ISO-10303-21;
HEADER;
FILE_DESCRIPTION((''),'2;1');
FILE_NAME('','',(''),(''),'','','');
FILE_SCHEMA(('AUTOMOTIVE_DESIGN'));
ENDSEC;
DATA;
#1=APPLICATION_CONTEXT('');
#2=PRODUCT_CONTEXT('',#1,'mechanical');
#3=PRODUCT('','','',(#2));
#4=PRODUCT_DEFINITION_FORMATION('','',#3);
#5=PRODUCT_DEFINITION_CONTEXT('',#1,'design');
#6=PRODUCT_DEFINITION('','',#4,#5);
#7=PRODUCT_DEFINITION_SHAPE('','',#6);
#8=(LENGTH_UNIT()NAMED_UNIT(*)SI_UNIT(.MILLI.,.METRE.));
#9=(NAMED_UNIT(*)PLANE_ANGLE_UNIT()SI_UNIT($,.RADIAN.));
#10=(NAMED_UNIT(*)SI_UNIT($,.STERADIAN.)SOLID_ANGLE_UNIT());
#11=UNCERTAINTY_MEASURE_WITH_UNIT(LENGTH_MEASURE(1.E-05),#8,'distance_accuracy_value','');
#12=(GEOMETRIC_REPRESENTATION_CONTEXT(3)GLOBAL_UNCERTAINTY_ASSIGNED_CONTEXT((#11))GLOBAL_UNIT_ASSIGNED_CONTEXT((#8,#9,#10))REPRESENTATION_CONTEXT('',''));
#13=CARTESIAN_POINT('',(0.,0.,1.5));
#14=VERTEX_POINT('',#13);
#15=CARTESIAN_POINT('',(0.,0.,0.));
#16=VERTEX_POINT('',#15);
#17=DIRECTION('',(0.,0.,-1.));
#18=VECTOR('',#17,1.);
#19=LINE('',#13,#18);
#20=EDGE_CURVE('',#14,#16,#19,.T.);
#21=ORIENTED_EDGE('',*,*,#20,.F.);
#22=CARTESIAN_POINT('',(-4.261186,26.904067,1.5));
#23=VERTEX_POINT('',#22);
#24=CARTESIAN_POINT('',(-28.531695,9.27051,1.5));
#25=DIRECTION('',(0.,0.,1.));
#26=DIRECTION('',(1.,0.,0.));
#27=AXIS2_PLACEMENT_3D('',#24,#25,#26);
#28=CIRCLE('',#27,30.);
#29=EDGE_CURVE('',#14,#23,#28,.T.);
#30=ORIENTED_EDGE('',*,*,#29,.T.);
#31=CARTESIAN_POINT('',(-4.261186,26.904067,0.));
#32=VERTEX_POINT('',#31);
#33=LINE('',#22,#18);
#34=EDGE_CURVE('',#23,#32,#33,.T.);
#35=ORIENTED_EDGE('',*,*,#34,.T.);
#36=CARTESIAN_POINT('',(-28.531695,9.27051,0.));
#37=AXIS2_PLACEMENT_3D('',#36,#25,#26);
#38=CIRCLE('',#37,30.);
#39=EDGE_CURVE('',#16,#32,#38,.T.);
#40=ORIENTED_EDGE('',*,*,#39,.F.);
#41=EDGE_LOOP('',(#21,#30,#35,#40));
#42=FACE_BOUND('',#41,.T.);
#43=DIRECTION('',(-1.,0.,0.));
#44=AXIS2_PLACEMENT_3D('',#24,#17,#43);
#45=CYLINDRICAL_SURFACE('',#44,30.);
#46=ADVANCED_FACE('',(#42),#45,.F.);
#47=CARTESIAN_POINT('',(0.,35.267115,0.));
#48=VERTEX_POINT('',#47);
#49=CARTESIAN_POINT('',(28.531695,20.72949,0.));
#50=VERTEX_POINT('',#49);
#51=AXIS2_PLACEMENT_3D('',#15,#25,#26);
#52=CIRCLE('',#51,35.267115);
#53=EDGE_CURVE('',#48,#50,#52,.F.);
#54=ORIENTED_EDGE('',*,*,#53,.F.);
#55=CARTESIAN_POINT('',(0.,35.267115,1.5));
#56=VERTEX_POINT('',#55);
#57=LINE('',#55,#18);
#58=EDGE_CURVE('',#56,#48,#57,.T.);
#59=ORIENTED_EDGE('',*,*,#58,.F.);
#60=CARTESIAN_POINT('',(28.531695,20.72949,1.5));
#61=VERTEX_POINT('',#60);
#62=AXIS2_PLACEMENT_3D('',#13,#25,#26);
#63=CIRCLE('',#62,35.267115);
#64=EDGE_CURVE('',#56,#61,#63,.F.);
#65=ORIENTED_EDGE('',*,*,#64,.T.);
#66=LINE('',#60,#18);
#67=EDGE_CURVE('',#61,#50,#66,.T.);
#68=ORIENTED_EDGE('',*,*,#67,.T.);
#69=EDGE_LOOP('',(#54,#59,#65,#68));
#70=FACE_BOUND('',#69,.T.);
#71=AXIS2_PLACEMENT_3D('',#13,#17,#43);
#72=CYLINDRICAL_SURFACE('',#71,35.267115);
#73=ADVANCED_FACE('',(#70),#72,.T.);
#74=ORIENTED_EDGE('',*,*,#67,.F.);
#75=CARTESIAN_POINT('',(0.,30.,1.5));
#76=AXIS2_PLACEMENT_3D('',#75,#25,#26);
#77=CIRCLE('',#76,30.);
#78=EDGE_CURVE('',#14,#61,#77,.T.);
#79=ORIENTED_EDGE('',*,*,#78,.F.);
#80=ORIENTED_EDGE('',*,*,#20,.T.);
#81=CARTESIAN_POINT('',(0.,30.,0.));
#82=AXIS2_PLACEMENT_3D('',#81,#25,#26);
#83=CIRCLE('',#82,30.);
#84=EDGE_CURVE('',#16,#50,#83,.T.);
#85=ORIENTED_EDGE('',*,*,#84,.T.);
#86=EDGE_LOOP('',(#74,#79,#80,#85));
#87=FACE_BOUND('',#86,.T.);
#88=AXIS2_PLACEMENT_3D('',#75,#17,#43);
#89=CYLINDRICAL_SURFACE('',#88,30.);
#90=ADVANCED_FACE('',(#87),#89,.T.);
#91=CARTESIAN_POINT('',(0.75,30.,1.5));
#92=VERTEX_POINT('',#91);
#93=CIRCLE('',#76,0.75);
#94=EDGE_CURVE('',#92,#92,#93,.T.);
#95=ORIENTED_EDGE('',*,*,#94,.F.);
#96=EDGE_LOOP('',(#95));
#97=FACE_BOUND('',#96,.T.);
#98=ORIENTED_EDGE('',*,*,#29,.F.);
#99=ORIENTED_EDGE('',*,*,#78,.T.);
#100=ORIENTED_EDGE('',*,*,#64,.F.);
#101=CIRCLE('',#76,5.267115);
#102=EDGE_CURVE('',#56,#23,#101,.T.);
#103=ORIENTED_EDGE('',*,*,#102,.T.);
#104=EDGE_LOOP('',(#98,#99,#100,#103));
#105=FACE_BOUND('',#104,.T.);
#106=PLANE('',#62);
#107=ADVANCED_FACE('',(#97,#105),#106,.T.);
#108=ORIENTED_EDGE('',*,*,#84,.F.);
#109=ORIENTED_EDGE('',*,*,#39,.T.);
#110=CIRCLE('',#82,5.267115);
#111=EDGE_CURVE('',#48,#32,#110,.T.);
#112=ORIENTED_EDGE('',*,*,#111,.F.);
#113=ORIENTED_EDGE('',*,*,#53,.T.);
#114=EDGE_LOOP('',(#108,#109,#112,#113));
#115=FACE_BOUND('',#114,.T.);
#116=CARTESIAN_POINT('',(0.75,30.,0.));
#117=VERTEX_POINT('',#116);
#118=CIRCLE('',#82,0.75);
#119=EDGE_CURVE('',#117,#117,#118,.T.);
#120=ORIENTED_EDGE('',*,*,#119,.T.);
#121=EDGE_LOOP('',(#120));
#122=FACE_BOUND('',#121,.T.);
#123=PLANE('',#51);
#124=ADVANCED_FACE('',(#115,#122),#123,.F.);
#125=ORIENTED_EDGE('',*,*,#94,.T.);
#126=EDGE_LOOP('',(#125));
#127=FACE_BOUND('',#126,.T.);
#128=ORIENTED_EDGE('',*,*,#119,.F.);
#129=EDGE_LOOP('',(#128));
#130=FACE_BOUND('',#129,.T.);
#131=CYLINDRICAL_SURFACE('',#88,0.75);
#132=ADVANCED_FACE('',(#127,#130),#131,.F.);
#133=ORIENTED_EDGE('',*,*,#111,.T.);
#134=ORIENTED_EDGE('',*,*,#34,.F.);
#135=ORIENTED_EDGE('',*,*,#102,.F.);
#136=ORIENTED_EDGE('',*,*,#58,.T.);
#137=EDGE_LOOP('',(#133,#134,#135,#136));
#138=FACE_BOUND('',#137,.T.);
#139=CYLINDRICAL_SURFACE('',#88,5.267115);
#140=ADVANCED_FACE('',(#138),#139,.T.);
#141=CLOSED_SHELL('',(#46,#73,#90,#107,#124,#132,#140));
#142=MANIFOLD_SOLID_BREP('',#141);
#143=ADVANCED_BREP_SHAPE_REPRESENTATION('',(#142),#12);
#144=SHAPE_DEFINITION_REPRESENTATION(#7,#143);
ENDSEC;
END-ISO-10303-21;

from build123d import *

# Parameters (mm, degrees)
SKETCH1_R           = 0.75
BOSS_EXTRUDE1_DEPTH = 1.5


with BuildPart() as part:
    # Sketch1 → Boss-Extrude1 (new body)
    with BuildSketch(Plane.XY):
        with BuildLine():
            ThreePointArc((0, 35.267115138), (16.010935226, 31.423229677), (28.531695489, 20.729490169))
            ThreePointArc((28.531695489, 20.729490169), (17.633557569, 5.729490169), (0, 0))
            ThreePointArc((0, 0), (1.098954729, 13.963543782), (-4.261185658, 26.9040674))
            ThreePointArc((-4.261185658, 26.9040674), (-4.693033951, 32.391220233), (0, 35.267115138))
        make_face()
        with Locations((0, 30)):
            Circle(SKETCH1_R, mode=Mode.SUBTRACT)
    extrude(amount=BOSS_EXTRUDE1_DEPTH)


solid = part.part
